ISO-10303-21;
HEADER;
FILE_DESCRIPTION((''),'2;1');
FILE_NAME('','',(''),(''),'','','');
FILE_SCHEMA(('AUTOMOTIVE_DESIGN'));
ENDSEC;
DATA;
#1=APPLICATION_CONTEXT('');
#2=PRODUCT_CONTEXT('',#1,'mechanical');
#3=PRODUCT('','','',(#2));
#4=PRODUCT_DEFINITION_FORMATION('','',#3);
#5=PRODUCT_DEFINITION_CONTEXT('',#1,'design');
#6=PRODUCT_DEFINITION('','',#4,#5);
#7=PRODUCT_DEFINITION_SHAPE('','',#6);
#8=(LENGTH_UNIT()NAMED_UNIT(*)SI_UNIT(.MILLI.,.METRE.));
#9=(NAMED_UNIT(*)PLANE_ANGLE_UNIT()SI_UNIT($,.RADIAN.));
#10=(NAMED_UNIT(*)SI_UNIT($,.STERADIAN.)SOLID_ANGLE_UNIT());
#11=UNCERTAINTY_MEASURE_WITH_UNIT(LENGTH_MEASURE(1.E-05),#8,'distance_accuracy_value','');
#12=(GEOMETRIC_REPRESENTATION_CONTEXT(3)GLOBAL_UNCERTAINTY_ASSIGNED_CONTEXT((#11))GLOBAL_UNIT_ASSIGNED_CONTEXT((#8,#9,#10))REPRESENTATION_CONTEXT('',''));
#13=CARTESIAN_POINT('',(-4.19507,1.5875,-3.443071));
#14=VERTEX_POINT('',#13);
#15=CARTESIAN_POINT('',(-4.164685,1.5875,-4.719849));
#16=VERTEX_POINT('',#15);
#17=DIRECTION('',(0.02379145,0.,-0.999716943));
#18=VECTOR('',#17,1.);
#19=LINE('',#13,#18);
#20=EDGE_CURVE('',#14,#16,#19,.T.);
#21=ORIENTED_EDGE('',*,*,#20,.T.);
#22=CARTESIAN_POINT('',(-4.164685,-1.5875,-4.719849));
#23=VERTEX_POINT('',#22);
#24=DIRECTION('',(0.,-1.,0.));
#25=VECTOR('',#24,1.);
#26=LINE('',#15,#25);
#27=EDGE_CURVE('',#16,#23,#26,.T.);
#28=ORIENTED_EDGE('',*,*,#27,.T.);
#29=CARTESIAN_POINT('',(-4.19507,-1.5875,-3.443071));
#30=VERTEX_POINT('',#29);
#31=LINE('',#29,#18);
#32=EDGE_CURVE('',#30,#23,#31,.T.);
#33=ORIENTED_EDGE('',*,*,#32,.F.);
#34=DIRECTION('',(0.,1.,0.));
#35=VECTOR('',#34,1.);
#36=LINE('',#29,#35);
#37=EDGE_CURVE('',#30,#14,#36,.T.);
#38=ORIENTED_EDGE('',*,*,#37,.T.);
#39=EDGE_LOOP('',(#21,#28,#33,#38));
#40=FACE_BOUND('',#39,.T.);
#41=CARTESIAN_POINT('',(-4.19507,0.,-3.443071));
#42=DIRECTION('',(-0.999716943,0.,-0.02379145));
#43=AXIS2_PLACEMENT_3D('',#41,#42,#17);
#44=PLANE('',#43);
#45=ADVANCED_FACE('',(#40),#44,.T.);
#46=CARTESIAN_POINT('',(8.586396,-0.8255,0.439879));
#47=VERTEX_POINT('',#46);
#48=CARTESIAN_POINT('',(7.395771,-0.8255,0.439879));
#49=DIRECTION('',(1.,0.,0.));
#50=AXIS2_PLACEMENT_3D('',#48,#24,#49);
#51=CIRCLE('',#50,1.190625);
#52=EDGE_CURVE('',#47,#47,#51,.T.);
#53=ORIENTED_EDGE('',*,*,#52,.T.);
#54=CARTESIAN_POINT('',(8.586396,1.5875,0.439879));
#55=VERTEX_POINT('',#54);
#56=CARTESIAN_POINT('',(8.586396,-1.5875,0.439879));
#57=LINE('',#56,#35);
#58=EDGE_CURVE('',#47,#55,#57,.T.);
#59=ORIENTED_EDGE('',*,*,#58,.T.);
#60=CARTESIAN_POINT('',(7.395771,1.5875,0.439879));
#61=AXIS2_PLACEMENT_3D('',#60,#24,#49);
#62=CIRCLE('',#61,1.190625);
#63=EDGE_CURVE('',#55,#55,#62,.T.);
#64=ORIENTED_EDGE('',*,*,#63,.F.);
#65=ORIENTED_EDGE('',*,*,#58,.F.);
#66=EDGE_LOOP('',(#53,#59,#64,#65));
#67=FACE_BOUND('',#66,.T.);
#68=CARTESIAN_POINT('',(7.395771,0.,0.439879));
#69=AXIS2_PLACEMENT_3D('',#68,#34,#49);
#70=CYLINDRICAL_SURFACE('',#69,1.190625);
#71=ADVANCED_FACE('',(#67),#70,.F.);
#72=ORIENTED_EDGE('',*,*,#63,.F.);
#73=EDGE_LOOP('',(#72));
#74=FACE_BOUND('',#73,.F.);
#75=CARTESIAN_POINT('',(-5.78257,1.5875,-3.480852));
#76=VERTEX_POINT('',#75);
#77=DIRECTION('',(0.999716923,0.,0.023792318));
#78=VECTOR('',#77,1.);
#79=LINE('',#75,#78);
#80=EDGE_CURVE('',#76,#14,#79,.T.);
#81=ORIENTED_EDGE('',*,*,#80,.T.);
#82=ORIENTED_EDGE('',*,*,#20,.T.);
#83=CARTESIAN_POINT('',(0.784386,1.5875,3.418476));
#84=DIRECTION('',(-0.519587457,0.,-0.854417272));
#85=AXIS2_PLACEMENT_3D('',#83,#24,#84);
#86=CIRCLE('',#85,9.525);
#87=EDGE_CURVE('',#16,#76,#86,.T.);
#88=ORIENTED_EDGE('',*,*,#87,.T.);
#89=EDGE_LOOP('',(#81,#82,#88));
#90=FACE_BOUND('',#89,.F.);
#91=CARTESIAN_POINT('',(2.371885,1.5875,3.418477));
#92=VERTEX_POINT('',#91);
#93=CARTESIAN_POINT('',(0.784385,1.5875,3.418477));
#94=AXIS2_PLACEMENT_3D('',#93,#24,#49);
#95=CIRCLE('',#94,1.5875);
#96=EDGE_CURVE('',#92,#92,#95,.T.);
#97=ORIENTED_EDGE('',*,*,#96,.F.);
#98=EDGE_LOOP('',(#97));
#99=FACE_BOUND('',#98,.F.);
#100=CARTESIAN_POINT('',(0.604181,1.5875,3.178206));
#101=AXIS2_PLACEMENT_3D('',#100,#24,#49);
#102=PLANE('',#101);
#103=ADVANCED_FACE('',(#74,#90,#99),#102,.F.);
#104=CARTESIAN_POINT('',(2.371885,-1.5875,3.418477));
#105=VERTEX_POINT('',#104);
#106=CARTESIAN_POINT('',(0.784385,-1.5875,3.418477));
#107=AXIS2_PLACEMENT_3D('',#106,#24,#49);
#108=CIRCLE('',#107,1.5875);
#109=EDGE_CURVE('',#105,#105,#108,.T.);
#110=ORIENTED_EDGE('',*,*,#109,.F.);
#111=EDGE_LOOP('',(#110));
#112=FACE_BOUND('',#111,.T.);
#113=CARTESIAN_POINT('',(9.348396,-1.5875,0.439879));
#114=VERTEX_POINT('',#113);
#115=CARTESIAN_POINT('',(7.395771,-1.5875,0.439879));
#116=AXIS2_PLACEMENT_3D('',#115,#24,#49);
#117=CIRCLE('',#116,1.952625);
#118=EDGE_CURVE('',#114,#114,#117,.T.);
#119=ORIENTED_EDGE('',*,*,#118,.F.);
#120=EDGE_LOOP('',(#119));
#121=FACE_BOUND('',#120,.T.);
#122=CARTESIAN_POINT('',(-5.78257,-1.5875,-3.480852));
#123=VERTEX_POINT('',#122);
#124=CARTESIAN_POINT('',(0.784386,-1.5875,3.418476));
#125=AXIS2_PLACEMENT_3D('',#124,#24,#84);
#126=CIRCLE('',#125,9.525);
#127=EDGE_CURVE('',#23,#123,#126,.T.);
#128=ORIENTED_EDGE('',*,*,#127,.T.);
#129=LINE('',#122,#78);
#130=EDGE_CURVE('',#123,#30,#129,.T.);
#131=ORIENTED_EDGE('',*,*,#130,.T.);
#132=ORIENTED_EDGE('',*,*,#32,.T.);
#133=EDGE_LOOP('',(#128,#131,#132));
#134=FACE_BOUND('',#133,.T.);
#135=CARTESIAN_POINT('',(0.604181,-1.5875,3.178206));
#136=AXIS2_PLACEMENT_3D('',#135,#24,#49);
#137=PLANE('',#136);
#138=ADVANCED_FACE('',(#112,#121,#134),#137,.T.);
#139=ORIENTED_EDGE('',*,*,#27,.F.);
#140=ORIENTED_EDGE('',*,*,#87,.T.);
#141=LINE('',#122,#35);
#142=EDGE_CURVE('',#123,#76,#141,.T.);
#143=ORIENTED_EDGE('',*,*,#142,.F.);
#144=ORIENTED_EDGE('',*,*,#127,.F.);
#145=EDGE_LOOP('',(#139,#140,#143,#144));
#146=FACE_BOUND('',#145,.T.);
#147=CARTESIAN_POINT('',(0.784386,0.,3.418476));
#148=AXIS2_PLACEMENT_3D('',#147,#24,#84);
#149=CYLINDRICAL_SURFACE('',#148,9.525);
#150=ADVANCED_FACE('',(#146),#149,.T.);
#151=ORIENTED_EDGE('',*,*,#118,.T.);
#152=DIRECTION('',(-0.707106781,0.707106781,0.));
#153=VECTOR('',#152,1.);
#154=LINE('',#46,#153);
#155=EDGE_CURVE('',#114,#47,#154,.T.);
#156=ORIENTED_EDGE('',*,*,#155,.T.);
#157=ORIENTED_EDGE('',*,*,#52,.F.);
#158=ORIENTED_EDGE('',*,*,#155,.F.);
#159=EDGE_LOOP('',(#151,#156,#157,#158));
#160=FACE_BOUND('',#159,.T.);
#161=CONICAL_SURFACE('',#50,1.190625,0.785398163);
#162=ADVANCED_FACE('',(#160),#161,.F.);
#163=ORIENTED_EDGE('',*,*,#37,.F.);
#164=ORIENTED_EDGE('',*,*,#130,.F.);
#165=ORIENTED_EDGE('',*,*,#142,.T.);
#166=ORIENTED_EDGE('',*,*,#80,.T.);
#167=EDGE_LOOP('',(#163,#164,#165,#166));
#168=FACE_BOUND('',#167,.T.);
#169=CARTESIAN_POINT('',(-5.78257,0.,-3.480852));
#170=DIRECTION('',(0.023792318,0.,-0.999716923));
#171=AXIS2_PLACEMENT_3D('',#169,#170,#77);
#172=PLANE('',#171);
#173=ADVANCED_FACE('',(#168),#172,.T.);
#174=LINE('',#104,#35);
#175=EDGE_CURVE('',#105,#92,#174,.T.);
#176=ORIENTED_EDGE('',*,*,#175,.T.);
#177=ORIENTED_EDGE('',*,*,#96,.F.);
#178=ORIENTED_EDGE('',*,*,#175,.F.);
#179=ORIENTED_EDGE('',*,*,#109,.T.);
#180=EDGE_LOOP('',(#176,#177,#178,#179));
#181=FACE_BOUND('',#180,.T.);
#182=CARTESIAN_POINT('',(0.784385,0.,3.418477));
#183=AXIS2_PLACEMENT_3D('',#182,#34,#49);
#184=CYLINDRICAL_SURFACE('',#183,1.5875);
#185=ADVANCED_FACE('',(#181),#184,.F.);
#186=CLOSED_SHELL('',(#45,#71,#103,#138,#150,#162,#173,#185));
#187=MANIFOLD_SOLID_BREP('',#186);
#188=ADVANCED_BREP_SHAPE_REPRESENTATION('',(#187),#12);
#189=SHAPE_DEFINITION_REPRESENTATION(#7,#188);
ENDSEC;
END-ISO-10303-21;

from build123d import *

# Parameters (mm, degrees)
F0_R     = 1.190625
F0_R_2   = 1.5875
F1_DEPTH = 1.5875
F2_SIZE  = 0.762


with BuildPart() as f1:
    # F0 (on Front) → F1 (new body, symmetric)
    with BuildSketch(Plane.XZ):
        with BuildLine():
            Line((-4.19507, -3.443071), (-4.164685, -4.719849))
            ThreePointArc((-4.164685, -4.719849), (6.575626, 10.980695), (-5.78257, -3.480852))
            Line((-5.78257, -3.480852), (-4.19507, -3.443071))
        make_face()
        with Locations((7.395771, 0.439879)):
            Circle(F0_R, mode=Mode.SUBTRACT)
        with Locations((0.784385, 3.418477)):
            Circle(F0_R_2, mode=Mode.SUBTRACT)
    extrude(amount=F1_DEPTH, both=True)

    # F2
    f2_edges = [f1.edges().sort_by_distance(p)[0] for p in [
        (6.205146, -1.5875, 0.439879),
    ]]
    chamfer(f2_edges, length=F2_SIZE)


solid = f1.part
